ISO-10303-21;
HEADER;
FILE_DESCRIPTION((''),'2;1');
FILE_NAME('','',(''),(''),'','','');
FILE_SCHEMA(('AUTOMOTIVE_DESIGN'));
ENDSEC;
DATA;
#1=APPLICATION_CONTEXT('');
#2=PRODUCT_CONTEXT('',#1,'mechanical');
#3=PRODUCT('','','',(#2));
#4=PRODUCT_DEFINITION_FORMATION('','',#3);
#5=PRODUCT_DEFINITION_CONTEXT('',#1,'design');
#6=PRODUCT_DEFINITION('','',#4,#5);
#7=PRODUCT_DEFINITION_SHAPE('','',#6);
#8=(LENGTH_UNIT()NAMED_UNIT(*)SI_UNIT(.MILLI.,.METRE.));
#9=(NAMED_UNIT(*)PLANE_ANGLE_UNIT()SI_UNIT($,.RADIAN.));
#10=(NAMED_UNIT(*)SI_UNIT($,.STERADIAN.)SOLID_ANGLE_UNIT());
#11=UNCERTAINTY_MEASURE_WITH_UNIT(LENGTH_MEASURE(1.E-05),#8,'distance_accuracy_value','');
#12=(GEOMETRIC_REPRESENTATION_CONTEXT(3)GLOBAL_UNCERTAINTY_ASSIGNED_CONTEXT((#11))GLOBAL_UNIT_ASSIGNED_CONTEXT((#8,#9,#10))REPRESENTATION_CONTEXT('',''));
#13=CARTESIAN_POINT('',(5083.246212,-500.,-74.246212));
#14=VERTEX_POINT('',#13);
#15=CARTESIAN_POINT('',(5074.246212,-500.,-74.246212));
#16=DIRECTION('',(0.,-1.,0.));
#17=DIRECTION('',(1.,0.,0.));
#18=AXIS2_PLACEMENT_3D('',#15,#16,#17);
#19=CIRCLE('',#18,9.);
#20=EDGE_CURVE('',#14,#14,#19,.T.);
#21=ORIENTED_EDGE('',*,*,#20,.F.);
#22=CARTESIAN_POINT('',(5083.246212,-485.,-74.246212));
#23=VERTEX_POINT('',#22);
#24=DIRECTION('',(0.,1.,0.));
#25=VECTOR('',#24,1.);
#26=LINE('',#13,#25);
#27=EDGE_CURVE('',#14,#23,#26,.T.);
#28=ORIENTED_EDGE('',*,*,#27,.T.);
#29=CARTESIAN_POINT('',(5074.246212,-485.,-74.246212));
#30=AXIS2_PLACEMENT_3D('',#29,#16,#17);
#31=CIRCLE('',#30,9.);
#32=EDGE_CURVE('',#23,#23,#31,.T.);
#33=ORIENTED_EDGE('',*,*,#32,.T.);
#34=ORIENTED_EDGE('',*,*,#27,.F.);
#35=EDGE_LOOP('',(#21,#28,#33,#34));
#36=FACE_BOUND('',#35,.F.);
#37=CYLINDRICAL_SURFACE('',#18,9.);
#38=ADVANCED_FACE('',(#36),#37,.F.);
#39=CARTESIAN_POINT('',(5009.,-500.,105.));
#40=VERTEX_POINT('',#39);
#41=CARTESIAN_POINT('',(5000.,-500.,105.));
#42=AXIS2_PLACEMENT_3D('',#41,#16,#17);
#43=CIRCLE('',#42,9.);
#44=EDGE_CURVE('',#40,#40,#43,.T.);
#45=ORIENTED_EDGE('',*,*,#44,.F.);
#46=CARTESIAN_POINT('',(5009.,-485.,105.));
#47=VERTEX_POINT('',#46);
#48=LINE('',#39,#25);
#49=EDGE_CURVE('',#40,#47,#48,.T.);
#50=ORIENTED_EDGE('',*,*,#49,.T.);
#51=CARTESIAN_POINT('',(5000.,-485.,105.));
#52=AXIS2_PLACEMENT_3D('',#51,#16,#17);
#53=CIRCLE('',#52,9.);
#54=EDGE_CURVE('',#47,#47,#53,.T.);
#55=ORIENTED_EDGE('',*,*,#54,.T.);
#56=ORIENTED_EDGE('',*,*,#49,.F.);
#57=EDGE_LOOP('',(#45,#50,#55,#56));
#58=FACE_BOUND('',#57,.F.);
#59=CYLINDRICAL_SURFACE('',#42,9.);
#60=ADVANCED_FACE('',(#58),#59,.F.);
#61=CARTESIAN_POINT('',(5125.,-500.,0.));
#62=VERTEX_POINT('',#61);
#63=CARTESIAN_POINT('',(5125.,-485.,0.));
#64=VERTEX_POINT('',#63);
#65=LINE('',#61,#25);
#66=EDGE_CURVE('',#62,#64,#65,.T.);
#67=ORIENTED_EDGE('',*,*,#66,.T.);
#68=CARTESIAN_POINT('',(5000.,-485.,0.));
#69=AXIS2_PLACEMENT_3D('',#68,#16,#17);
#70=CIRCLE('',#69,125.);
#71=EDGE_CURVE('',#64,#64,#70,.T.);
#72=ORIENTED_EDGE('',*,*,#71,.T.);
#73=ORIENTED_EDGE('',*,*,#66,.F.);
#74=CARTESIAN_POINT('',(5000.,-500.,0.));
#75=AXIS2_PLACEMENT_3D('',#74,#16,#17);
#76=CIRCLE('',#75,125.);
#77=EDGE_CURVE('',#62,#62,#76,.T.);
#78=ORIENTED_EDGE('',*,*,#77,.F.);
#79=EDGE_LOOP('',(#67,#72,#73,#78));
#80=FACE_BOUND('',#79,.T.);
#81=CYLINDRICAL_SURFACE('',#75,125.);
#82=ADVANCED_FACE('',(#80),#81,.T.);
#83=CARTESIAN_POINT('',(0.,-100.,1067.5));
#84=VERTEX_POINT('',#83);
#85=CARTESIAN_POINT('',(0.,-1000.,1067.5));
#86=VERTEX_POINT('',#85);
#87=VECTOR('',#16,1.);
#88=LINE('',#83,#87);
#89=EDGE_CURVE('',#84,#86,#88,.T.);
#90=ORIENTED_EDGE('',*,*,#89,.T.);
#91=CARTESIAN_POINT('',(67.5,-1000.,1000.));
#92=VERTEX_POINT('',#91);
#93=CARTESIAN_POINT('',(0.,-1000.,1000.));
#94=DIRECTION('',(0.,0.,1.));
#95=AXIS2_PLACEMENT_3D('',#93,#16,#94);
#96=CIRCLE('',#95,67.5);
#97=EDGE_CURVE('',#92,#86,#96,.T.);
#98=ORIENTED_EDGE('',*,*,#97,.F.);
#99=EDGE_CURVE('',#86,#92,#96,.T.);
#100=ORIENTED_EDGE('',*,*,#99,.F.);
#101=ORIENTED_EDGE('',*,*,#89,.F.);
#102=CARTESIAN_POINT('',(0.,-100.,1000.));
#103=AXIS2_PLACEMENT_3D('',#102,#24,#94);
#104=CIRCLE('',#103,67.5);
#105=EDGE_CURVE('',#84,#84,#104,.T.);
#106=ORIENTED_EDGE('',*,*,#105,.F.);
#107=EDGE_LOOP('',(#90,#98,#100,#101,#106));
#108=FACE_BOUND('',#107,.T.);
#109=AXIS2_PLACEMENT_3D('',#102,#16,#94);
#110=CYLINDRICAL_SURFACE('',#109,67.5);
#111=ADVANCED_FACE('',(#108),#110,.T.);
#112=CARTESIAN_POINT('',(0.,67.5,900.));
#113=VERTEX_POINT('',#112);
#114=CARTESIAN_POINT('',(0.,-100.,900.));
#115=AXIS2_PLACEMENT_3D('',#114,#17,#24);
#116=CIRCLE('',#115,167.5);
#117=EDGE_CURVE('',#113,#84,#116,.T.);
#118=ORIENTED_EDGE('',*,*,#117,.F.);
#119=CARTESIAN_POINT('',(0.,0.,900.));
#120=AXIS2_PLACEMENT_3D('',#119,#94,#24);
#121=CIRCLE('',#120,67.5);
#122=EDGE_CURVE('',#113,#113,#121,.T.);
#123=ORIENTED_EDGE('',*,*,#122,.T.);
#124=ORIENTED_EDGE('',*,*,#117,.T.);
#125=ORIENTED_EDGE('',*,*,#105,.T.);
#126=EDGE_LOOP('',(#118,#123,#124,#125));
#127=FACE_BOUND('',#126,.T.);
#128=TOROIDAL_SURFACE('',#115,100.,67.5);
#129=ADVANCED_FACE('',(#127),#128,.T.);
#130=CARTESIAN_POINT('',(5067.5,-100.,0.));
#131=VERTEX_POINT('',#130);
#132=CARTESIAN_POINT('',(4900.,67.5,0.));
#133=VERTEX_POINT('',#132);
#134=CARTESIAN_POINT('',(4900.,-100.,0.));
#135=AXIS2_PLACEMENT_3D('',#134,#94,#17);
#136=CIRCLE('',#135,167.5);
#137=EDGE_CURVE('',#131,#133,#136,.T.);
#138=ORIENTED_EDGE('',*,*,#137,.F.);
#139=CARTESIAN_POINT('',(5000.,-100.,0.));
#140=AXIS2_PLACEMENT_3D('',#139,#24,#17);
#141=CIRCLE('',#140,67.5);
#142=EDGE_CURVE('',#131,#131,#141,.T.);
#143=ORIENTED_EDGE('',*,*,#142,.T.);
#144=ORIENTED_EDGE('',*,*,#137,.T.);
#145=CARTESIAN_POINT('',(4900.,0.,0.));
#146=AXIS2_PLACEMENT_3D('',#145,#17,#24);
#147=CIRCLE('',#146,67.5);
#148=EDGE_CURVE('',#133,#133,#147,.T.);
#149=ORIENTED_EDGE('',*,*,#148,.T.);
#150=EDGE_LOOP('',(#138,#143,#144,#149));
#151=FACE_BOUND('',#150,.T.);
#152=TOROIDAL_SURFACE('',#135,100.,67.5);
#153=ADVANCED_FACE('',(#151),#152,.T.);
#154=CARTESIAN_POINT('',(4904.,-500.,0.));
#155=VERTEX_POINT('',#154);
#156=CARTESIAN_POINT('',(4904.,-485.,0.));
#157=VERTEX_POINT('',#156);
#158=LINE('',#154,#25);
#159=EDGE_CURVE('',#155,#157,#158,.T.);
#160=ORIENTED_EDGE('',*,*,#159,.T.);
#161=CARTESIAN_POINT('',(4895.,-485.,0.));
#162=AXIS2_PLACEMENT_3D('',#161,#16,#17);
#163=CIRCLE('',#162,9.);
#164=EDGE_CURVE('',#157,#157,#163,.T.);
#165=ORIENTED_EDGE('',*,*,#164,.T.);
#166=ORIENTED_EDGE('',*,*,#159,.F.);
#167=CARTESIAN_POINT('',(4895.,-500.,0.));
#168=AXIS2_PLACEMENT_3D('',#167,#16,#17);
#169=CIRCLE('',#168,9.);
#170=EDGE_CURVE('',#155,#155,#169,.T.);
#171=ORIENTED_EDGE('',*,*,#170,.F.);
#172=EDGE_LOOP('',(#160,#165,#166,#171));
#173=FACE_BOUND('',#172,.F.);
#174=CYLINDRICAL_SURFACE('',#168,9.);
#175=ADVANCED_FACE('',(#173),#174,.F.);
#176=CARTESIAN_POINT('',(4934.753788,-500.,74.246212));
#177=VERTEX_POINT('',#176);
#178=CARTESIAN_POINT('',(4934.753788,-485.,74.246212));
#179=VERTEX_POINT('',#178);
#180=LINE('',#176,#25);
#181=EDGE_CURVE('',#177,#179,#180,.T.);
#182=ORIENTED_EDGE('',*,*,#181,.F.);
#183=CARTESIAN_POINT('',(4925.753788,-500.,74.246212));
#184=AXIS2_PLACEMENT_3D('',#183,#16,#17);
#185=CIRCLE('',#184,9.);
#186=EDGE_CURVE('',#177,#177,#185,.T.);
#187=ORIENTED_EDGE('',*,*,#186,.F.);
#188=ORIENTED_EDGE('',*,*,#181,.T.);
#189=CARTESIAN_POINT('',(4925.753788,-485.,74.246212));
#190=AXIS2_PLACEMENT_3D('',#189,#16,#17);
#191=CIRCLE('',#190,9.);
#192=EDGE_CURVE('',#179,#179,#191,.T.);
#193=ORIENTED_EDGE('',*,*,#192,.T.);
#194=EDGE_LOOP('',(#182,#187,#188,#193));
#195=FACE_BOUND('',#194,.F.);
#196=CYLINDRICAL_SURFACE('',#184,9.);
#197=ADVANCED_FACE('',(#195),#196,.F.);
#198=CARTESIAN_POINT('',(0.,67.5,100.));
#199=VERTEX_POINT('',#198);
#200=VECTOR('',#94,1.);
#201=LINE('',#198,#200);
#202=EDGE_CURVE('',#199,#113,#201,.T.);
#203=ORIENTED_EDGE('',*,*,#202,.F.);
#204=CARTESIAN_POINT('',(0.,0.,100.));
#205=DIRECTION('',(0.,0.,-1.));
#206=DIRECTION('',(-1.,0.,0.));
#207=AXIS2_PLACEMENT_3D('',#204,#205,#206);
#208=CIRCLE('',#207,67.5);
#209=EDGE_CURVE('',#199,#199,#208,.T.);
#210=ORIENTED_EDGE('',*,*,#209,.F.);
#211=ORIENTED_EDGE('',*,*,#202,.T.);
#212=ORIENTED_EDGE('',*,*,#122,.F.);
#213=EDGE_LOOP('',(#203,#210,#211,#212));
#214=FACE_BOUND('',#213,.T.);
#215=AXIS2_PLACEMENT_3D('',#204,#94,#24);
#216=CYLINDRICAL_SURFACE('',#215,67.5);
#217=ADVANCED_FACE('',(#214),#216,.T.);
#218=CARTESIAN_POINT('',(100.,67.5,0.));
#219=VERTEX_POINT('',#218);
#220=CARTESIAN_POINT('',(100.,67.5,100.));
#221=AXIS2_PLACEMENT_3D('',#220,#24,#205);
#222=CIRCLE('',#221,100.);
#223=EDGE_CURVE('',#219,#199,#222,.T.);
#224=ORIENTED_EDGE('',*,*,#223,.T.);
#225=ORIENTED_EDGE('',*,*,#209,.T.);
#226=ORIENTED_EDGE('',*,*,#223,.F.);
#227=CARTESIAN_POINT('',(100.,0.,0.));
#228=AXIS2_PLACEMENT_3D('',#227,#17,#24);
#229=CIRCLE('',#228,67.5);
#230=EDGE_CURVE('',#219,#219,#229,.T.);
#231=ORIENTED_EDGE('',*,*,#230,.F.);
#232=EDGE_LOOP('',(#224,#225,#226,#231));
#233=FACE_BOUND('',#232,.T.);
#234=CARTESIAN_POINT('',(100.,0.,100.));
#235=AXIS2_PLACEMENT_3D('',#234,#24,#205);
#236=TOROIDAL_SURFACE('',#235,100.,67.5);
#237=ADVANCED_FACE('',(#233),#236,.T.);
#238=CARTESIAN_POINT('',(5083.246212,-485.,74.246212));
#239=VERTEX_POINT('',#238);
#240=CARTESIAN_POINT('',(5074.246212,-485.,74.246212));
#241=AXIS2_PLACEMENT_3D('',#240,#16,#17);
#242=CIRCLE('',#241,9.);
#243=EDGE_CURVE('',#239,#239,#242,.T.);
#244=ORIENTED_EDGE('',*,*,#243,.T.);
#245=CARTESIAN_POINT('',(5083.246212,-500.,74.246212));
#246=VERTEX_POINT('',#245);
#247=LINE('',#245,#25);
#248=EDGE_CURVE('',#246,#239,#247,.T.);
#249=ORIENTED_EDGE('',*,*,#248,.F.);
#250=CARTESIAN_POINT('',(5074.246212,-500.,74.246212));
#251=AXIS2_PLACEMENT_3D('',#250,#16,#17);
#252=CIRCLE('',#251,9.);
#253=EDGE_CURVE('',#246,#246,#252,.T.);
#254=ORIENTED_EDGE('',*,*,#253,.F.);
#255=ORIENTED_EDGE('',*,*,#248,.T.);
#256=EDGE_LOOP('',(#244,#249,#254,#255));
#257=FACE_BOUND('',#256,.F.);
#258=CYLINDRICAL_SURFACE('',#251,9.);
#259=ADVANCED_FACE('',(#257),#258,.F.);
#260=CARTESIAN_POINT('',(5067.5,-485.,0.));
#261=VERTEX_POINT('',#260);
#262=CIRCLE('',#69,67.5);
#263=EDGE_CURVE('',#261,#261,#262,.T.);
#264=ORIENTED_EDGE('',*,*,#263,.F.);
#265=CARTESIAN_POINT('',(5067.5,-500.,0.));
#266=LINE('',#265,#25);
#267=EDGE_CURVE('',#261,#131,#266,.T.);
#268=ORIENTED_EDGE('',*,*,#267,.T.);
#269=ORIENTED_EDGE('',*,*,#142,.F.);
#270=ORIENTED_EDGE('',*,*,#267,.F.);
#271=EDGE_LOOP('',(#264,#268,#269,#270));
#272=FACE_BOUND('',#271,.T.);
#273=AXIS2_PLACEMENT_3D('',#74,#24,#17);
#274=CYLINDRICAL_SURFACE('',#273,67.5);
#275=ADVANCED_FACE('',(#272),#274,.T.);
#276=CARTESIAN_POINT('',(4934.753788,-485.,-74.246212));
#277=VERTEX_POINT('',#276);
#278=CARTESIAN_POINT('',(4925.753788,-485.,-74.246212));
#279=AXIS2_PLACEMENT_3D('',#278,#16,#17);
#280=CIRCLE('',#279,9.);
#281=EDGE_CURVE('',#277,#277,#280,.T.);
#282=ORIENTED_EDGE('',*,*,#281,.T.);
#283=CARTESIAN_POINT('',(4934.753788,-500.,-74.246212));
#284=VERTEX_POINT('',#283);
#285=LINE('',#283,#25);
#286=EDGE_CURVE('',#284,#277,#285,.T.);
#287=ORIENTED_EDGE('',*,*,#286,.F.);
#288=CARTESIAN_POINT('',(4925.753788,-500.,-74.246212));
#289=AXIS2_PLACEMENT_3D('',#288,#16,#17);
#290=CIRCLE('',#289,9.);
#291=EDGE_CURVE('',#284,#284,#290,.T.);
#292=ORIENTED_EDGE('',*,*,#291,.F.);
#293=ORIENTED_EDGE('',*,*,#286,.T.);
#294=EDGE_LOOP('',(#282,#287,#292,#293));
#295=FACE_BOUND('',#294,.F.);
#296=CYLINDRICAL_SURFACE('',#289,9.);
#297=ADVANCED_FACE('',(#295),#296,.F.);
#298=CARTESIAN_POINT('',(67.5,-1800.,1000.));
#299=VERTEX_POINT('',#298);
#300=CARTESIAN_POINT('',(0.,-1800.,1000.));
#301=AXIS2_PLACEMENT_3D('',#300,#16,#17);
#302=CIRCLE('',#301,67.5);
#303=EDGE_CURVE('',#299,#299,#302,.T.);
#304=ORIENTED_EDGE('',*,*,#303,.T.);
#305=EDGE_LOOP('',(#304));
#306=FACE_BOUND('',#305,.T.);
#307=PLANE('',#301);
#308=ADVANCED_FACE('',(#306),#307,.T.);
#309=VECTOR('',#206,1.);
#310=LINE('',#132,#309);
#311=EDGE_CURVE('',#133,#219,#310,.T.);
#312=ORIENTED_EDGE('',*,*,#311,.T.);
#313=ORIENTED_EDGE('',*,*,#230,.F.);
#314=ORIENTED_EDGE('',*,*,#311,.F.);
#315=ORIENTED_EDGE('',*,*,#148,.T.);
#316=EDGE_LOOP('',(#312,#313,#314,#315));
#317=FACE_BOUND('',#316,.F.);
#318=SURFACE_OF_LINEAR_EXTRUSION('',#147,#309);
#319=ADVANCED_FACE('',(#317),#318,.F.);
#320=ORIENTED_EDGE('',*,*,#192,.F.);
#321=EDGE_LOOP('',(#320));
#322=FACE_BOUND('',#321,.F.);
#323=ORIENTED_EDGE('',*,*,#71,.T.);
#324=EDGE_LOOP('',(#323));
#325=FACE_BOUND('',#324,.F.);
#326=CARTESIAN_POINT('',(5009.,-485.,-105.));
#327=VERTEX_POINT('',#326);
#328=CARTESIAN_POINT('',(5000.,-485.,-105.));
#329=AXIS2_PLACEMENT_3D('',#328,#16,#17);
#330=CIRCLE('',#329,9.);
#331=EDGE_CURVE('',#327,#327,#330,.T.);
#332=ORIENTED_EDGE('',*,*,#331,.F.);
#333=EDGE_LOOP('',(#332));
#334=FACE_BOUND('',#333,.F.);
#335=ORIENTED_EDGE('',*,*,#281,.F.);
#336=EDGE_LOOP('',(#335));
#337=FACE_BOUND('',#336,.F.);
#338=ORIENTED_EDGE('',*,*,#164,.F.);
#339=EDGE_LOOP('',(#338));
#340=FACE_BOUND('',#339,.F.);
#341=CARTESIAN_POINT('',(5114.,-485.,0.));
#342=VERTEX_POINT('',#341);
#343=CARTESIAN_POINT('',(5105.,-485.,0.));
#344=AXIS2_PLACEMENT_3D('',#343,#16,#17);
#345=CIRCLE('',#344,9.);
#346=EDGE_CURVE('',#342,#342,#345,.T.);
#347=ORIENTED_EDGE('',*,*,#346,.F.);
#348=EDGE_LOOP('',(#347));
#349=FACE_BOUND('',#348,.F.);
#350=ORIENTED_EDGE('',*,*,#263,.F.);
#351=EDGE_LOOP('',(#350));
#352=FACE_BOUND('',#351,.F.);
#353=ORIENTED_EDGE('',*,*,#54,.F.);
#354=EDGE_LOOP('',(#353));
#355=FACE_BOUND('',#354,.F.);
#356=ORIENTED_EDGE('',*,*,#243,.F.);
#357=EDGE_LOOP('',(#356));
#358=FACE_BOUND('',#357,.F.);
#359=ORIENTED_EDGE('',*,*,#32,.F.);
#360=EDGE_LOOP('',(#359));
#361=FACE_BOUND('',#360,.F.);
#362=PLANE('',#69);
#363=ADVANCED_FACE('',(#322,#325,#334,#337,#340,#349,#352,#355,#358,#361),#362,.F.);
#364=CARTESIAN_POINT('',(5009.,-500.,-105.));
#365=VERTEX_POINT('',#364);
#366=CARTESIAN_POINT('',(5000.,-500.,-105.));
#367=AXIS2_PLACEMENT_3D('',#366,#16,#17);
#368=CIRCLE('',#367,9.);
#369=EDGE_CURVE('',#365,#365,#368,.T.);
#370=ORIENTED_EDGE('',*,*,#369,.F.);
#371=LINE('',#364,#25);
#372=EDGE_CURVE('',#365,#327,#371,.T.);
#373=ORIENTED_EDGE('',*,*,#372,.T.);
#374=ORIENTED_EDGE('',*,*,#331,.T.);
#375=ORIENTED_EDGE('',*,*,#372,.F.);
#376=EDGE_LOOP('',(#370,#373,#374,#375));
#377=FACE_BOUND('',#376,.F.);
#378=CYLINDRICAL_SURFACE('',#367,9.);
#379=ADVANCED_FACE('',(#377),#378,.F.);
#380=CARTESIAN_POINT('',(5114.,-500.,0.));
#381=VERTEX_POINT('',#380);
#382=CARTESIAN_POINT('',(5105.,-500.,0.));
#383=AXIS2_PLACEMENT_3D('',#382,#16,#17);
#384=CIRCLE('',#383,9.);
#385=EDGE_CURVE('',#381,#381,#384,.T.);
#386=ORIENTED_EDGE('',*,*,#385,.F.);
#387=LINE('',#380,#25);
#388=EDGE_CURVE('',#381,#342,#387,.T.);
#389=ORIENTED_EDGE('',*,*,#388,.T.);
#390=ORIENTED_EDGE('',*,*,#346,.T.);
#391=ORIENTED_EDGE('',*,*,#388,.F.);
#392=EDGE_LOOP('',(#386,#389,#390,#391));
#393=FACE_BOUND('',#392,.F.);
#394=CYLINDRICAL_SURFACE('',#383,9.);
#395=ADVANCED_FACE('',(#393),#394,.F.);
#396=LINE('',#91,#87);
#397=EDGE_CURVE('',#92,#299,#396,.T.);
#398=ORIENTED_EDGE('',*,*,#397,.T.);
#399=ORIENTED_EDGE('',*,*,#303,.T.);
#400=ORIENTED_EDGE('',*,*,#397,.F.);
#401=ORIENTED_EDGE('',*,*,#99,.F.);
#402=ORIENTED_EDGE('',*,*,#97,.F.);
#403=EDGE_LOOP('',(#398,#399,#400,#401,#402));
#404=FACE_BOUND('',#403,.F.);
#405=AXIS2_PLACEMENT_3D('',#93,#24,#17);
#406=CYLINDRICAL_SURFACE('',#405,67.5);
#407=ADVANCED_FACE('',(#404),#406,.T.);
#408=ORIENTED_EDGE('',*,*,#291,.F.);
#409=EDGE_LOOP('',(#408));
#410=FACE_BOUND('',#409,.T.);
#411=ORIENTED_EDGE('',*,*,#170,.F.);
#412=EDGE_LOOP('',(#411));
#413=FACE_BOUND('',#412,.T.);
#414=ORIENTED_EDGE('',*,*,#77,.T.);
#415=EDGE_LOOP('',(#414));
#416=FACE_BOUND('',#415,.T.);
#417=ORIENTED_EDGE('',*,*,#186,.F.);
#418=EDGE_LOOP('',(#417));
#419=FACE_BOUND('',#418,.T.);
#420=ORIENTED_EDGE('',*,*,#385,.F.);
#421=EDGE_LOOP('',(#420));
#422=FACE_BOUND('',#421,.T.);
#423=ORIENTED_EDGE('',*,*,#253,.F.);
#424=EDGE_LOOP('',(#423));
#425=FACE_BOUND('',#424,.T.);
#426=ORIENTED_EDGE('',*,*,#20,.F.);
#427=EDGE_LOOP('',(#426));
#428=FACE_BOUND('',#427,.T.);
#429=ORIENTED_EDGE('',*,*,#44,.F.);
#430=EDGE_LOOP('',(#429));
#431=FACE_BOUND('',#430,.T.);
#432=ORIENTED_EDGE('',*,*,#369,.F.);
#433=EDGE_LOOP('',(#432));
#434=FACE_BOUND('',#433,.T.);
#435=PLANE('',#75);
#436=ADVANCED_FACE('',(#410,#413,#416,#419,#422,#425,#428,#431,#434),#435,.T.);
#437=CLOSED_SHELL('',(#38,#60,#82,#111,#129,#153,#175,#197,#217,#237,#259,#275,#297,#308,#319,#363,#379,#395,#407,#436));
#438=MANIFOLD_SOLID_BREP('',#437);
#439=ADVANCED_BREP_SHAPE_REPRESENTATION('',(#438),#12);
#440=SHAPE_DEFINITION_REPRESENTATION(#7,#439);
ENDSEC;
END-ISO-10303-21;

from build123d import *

# Parameters (mm, degrees)
F3_R     = 67.5
F3_R_2   = 125
F3_R_3   = 9
F6_DEPTH = 15
F7_R     = 67.5
F8_DEPTH = 800


with BuildPart() as f5:
    # F5: sweep along a path in F0, F1, F4
    with BuildLine(Plane.XY) as f5_path:
        Line((5000, -500), (5000, -100))
        ThreePointArc((5000, -100), (4970.7106781187, -29.2893218813), (4900, 0))
    with BuildLine(Plane.XZ) as f5_path_2:
        Line((4900, 0), (100, 0))
        ThreePointArc((100, 0), (29.2893218813, 29.2893218813), (0, 100))
    with BuildLine(Plane.YZ) as f5_path_3:
        Line((0, 100), (0, 900))
        ThreePointArc((0, 900), (-29.2893218813, 970.7106781187), (-100, 1000))
        Line((-100, 1000), (-1000, 1000))
    # F3 (on offset) → F5 (sweep)
    with BuildSketch(Plane.XZ.offset(500)):
        with Locations((5000, 0)):
            Circle(F3_R)
    sweep(path=f5_path.line + f5_path_2.line + f5_path_3.line)

    # F3 (on offset) → F6 (join)
    with BuildSketch(Plane.XZ.offset(500)):
        with Locations((5000, 0)):
            Circle(F3_R_2)
        with Locations((4925.7537879754, -74.2462120246)):
            Circle(F3_R_3, mode=Mode.SUBTRACT)
        with Locations((5000, -105)):
            Circle(F3_R_3, mode=Mode.SUBTRACT)
        with Locations((5074.2462120246, -74.2462120246)):
            Circle(F3_R_3, mode=Mode.SUBTRACT)
        with Locations((4895, 0)):
            Circle(F3_R_3, mode=Mode.SUBTRACT)
        with Locations((4925.7537879754, 74.2462120246)):
            Circle(F3_R_3, mode=Mode.SUBTRACT)
        with Locations((5000, 0)):
            Circle(F3_R, mode=Mode.SUBTRACT)
        with Locations((5105, 0)):
            Circle(F3_R_3, mode=Mode.SUBTRACT)
        with Locations((5000, 105)):
            Circle(F3_R_3, mode=Mode.SUBTRACT)
        with Locations((5074.2462120246, 74.2462120246)):
            Circle(F3_R_3, mode=Mode.SUBTRACT)
    extrude(amount=-F6_DEPTH)

    # F7 (on face) → F8 (join)
    with BuildSketch(Plane.XZ.offset(1000)):
        with Locations((0, 1000)):
            Circle(F7_R)
    extrude(amount=F8_DEPTH)


solid = f5.part
